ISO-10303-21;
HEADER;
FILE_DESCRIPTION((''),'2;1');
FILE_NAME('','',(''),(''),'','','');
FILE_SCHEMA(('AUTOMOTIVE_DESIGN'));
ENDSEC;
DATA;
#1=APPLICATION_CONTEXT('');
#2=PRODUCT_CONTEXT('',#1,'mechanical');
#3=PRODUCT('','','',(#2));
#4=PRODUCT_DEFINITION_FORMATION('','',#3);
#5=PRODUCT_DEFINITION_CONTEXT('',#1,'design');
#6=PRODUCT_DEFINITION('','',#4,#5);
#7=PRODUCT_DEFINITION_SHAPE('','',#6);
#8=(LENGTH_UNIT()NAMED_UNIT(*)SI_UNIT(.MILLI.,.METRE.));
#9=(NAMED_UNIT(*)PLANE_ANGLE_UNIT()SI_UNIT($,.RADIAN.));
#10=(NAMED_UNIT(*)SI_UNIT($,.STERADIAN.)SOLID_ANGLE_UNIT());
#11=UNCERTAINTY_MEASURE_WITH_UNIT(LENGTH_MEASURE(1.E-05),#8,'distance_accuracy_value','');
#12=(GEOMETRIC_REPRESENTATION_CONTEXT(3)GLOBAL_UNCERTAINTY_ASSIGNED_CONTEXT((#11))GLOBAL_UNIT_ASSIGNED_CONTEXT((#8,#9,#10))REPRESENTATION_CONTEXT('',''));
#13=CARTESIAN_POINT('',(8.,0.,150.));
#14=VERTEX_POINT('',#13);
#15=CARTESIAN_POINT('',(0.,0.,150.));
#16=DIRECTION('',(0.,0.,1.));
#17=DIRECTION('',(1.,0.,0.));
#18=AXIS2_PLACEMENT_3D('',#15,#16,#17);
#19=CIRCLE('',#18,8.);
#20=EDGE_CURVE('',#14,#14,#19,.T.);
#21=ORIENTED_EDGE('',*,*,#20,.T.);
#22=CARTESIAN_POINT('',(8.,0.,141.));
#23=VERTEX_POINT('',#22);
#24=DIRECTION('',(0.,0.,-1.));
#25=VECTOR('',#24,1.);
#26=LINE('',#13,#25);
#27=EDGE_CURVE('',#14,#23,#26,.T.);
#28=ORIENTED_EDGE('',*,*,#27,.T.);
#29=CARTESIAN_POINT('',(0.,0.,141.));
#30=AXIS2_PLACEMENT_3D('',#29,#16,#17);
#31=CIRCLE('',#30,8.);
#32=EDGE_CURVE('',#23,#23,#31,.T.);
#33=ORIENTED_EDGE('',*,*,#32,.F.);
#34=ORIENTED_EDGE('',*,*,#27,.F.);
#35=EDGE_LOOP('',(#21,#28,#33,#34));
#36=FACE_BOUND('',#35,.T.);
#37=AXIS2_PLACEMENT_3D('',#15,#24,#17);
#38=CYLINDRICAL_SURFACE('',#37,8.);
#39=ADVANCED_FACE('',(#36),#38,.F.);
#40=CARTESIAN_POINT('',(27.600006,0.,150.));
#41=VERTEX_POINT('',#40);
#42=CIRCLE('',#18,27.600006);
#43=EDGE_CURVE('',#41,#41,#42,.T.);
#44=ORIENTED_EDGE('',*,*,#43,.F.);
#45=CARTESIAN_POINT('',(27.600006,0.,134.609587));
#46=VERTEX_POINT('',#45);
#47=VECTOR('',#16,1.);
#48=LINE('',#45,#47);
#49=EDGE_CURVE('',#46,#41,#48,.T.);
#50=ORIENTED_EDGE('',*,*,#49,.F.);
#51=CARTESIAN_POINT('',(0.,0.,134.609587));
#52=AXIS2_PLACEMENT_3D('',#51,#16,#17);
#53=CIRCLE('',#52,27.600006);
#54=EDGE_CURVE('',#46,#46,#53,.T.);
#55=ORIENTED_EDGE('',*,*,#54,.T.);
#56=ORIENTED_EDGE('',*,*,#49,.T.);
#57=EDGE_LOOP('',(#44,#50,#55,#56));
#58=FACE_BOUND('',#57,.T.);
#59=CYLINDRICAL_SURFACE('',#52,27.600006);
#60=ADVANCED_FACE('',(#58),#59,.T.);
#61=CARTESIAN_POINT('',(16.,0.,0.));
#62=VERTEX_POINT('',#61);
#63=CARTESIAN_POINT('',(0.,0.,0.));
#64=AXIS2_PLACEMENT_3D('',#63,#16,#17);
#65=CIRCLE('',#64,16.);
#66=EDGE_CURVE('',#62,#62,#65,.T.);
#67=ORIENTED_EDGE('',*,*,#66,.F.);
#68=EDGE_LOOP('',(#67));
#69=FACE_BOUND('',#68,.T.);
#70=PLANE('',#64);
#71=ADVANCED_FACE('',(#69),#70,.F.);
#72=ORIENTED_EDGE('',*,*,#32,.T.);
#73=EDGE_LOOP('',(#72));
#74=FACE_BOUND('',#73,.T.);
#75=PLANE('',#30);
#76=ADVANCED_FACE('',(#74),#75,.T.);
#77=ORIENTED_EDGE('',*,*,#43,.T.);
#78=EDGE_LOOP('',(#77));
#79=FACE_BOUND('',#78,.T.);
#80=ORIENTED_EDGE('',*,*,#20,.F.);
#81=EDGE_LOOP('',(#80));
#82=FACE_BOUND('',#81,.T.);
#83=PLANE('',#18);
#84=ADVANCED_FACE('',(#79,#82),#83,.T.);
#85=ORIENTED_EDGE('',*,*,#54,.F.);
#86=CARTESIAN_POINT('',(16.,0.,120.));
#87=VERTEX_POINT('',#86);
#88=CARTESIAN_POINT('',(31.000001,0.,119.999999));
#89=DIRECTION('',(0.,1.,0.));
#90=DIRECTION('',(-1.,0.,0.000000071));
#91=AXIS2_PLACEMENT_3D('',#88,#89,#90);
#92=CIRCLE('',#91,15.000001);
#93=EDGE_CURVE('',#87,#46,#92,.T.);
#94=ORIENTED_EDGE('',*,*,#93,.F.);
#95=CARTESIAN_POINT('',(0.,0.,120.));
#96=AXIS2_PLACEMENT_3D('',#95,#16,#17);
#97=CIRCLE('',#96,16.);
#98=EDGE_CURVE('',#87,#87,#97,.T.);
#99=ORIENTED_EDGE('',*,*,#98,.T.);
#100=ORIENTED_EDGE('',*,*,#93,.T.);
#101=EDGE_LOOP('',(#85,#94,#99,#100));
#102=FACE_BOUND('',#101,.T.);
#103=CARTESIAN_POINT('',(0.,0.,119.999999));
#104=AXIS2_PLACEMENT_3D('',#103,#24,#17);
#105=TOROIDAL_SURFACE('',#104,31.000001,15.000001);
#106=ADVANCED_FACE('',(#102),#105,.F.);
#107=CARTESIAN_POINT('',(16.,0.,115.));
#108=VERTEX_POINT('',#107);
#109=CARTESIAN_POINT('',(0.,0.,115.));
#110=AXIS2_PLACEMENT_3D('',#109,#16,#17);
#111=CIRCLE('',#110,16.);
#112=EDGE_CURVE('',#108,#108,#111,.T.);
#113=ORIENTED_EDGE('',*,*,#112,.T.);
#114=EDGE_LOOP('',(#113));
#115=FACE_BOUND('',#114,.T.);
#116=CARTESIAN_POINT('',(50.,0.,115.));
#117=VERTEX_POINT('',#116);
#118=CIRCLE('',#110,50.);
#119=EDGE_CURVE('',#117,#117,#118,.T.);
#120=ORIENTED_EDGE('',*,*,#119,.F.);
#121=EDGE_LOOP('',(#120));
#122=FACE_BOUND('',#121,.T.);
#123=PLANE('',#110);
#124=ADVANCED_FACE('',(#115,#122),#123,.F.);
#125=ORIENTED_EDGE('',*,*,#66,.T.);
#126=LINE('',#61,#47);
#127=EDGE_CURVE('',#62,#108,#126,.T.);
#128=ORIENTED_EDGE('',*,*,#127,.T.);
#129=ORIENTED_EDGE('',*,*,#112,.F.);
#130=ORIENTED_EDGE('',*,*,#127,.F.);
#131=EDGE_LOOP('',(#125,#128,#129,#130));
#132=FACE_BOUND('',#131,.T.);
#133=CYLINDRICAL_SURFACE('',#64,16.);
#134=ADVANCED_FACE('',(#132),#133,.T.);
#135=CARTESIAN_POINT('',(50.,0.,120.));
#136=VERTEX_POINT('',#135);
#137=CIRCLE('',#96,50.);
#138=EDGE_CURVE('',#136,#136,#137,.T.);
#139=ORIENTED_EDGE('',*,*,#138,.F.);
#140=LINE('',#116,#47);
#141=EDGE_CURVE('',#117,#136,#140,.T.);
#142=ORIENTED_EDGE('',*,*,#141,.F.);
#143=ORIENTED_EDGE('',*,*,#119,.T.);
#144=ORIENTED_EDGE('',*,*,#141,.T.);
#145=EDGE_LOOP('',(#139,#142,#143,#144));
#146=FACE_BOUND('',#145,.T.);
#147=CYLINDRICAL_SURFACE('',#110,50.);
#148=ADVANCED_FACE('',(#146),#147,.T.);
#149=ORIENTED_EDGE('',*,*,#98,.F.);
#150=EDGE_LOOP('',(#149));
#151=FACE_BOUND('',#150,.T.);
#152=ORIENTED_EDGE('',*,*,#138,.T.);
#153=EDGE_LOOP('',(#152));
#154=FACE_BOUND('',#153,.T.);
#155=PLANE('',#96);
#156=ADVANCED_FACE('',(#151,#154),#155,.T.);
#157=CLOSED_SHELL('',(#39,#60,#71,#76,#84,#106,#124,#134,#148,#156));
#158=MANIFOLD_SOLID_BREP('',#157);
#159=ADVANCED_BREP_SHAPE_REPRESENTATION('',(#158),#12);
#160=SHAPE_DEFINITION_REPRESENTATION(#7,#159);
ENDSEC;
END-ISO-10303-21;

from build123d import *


with BuildPart() as f1:
    # F0 (on Front) → F1 (revolve)
    with BuildSketch(Plane.XZ):
        with BuildLine():
            Line((0, 141), (0, 0))
            Line((0, 0), (16, 0))
            Line((16, 0), (16, 115))
            Line((16, 115), (50, 115))
            Line((50, 115), (50, 120))
            Line((50, 120), (16, 120))
            ThreePointArc((16, 120), (19.252662, 129.327381), (27.600006, 134.609587))
            Line((27.600006, 134.609587), (27.600006, 150))
            Line((27.600006, 150), (8, 150))
            Line((8, 150), (8, 141))
            Line((8, 141), (0, 141))
        make_face()
    revolve(axis=Axis((0, 0, 70.5), (0, 0, 1)))


solid = f1.part
